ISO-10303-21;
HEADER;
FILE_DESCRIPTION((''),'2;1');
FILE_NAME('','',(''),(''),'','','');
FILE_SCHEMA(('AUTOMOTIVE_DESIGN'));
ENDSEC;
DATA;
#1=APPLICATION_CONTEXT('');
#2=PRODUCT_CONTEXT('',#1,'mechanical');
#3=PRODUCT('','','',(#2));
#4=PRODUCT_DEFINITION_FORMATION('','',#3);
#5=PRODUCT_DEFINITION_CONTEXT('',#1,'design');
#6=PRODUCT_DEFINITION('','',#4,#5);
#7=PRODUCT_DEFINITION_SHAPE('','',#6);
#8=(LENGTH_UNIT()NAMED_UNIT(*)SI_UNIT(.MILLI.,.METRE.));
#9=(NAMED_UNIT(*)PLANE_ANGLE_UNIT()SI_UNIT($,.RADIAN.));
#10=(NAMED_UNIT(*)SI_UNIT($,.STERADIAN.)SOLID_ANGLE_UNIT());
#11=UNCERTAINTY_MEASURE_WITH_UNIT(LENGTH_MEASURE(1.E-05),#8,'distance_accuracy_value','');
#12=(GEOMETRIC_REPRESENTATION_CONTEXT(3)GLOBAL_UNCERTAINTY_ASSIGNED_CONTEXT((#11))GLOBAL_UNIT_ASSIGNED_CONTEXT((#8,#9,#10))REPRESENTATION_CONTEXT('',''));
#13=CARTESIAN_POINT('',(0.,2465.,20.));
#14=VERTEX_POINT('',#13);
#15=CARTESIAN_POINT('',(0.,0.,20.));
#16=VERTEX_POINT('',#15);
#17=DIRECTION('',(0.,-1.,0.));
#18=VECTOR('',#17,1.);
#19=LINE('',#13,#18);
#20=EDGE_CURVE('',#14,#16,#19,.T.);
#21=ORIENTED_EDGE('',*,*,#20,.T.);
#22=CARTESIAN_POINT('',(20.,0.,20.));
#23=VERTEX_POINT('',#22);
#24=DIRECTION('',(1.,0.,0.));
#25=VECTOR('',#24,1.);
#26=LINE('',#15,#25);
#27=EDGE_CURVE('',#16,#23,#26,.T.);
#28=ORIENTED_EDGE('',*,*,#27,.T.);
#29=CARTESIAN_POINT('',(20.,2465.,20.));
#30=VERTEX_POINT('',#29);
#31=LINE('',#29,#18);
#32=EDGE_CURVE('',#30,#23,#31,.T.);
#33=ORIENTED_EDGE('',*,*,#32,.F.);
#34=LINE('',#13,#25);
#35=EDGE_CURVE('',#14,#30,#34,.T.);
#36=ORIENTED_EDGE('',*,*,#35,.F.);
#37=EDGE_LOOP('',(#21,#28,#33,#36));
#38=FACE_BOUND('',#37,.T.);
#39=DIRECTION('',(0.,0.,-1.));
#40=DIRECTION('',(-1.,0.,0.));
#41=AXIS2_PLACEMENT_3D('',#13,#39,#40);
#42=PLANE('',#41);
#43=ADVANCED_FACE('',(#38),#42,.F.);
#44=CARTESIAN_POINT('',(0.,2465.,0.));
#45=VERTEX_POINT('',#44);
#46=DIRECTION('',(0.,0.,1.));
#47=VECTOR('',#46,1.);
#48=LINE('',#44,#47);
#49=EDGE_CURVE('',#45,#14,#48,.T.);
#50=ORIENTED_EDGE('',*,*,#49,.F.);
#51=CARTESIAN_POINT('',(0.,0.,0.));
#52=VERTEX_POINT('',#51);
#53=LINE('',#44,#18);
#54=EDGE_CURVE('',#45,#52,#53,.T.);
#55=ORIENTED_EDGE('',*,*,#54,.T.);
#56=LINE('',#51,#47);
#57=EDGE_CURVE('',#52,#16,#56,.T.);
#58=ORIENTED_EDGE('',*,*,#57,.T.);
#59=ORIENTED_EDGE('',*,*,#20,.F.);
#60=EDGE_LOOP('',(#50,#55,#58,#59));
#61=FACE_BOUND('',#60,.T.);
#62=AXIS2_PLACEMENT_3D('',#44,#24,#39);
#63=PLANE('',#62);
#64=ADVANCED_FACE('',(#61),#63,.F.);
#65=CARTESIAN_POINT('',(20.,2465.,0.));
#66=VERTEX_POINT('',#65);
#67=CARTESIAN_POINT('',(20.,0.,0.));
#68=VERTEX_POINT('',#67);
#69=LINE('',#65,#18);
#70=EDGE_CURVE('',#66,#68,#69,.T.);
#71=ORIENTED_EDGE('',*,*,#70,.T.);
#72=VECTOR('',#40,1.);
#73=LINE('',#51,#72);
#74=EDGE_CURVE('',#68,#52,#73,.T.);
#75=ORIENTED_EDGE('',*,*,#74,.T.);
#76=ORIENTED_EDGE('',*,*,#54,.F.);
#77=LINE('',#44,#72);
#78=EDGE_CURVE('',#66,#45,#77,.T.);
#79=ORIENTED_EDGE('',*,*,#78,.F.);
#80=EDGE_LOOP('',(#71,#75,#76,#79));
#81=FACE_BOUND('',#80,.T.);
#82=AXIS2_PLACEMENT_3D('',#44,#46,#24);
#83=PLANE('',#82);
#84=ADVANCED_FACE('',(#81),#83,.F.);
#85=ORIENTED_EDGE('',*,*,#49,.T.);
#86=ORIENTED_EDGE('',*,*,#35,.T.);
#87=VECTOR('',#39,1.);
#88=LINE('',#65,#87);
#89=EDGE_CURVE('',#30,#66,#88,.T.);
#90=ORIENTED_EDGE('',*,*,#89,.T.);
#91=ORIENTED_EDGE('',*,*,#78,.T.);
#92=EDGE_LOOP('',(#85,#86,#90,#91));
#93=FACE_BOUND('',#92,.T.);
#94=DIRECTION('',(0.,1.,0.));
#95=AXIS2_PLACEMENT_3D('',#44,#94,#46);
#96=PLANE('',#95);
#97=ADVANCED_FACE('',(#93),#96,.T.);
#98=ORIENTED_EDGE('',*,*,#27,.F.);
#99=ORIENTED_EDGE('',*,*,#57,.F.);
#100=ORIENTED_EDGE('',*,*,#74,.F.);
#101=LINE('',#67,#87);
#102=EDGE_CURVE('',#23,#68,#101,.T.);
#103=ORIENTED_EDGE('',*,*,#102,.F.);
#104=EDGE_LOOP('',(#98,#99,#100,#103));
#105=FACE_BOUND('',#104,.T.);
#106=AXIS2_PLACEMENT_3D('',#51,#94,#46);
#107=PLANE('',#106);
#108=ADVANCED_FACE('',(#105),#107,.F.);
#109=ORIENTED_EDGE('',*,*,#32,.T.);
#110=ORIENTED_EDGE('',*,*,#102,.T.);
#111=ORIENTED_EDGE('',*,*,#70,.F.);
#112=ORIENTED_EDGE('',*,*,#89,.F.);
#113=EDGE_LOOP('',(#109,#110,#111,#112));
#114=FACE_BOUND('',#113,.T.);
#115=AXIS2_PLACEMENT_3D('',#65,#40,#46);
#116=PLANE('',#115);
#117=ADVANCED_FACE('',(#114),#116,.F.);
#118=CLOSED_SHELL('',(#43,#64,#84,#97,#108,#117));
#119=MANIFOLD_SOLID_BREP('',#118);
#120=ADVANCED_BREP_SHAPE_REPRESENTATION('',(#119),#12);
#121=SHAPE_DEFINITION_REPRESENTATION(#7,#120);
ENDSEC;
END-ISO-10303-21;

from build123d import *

# Parameters (mm, degrees)
SKETCH1_W           = 20
SKETCH1_H           = 20
BOSS_EXTRUDE1_DEPTH = 2465


with BuildPart() as part:
    # Sketch1 → Boss-Extrude1 (new body)
    with BuildSketch(Plane(origin=(0, 0, 0), x_dir=(1, 0, 0), z_dir=(0, 1, 0))):
        with Locations((10, -10)):
            Rectangle(SKETCH1_W, SKETCH1_H)
    extrude(amount=BOSS_EXTRUDE1_DEPTH)


solid = part.part
